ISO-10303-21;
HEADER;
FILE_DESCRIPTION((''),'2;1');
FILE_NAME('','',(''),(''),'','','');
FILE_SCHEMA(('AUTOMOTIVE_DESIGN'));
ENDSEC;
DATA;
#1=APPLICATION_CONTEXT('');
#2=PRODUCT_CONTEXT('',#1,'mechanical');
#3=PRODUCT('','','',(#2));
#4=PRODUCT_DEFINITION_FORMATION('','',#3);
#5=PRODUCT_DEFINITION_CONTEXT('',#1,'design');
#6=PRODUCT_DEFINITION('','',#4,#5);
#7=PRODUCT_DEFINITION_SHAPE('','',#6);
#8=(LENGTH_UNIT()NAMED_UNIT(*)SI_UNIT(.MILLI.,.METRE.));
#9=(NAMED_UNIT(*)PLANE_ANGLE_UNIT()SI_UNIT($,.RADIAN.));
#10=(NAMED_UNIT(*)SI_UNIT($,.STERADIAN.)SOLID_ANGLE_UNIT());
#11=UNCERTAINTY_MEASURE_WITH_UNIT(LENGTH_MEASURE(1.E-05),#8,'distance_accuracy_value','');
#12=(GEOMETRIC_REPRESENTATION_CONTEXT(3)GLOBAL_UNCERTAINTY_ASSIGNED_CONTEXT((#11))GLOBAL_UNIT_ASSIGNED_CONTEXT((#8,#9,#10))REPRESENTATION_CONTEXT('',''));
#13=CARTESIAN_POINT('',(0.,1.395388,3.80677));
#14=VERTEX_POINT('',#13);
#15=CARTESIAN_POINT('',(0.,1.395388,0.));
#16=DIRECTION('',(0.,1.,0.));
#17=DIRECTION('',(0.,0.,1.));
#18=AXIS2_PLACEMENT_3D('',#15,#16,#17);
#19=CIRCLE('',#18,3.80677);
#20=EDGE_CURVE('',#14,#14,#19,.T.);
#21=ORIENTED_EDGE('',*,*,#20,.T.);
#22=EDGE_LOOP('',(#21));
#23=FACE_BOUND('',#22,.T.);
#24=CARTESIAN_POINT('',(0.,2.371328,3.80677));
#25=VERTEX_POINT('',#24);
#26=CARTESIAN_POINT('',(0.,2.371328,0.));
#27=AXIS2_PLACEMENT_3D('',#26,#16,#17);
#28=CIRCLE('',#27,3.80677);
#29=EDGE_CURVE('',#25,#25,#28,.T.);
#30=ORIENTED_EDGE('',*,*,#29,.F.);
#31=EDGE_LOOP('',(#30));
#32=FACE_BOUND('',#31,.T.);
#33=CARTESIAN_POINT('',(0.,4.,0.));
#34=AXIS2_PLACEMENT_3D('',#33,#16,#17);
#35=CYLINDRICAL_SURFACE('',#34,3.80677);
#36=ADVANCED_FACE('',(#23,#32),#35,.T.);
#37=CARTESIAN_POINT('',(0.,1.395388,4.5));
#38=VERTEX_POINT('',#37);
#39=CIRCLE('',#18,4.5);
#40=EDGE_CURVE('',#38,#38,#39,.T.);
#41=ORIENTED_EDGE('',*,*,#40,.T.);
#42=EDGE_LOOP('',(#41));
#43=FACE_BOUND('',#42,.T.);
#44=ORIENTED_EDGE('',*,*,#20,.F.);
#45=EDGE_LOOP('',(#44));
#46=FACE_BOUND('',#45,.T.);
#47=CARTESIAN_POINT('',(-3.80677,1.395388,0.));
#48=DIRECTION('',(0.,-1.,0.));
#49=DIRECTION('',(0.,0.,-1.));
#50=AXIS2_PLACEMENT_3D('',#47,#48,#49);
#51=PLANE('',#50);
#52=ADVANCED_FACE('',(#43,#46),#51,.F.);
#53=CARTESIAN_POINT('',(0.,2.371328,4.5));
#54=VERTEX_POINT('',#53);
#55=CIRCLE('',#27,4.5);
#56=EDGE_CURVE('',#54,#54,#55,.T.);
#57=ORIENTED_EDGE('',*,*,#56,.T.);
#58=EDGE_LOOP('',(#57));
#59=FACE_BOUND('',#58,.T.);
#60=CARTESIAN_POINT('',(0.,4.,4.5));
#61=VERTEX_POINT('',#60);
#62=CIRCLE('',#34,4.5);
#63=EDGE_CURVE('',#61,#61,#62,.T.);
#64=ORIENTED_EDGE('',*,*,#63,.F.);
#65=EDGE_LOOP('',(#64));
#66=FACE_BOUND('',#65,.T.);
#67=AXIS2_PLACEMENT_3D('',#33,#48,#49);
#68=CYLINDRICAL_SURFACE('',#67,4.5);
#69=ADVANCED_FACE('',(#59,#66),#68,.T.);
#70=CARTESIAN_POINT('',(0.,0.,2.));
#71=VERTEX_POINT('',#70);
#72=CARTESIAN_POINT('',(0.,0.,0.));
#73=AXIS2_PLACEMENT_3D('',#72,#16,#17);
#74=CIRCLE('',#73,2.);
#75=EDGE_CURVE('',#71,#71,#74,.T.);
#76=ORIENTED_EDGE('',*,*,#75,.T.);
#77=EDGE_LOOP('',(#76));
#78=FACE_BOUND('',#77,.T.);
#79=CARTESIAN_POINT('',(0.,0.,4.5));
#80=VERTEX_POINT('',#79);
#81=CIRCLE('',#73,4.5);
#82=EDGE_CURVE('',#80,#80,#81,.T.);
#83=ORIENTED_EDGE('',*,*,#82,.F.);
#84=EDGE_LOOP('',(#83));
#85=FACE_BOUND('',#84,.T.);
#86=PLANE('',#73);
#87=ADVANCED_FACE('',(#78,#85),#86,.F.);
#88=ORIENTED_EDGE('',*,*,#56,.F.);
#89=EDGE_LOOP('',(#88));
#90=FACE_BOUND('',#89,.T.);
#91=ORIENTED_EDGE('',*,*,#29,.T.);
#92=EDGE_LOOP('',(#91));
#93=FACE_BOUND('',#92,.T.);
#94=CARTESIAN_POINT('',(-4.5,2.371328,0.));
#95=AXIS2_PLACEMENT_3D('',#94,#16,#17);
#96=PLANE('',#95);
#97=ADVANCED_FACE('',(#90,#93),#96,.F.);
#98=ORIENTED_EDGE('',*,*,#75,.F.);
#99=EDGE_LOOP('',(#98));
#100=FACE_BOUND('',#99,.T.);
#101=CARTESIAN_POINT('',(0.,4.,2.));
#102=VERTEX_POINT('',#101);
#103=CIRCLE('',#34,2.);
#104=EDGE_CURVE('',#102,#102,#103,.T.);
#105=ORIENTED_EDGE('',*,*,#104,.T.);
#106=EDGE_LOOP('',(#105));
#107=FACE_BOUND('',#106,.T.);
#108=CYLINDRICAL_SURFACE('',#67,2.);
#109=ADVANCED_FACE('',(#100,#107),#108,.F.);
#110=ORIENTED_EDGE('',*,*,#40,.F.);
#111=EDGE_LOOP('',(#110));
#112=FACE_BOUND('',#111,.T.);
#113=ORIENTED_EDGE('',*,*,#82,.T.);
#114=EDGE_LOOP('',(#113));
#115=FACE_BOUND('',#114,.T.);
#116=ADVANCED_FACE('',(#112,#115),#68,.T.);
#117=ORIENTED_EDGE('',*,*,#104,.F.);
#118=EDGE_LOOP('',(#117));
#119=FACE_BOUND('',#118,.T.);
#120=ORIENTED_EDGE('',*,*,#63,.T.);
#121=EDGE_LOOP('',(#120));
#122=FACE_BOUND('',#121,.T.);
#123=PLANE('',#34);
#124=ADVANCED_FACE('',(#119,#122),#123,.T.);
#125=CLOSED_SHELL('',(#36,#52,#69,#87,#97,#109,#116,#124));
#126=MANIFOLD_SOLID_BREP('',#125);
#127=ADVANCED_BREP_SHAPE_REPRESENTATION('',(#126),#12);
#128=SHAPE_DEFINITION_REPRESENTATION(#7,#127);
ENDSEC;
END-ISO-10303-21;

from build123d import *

# Parameters (mm, degrees)
SKETCH_1_R      = 4.5
SKETCH_1_R_2    = 2
EXTRUDE_1_DEPTH = 4
SKETCH_2_W      = 0.693229727
SKETCH_2_H      = 0.975939513


with BuildPart() as part:
    # 草图1 → 凸台-拉伸1 (new body)
    with BuildSketch(Plane(origin=(0, 0, 0), x_dir=(1, 0, 0), z_dir=(0, 1, 0))):
        with Locations(Location((0, 0, 0), (0, 0, 270))):
            Circle(SKETCH_1_R)
        with Locations(Location((0, 0, 0), (0, 0, 270))):
            Circle(SKETCH_1_R_2, mode=Mode.SUBTRACT)
    extrude(amount=EXTRUDE_1_DEPTH)

    # 草图2 → 切除-旋转1 (revolve, cut)
    with BuildSketch(Plane.XY, mode=Mode.PRIVATE) as cut_revolve_1_sk:
        with Locations((-4.153385136, 1.883358194)):
            Rectangle(SKETCH_2_W, SKETCH_2_H)
    revolve(cut_revolve_1_sk.sketch.rotate(Axis((0, 4, 0), (0, -1, 0)), 270), axis=Axis((0, 4, 0), (0, -1, 0)), mode=Mode.SUBTRACT)


solid = part.part
